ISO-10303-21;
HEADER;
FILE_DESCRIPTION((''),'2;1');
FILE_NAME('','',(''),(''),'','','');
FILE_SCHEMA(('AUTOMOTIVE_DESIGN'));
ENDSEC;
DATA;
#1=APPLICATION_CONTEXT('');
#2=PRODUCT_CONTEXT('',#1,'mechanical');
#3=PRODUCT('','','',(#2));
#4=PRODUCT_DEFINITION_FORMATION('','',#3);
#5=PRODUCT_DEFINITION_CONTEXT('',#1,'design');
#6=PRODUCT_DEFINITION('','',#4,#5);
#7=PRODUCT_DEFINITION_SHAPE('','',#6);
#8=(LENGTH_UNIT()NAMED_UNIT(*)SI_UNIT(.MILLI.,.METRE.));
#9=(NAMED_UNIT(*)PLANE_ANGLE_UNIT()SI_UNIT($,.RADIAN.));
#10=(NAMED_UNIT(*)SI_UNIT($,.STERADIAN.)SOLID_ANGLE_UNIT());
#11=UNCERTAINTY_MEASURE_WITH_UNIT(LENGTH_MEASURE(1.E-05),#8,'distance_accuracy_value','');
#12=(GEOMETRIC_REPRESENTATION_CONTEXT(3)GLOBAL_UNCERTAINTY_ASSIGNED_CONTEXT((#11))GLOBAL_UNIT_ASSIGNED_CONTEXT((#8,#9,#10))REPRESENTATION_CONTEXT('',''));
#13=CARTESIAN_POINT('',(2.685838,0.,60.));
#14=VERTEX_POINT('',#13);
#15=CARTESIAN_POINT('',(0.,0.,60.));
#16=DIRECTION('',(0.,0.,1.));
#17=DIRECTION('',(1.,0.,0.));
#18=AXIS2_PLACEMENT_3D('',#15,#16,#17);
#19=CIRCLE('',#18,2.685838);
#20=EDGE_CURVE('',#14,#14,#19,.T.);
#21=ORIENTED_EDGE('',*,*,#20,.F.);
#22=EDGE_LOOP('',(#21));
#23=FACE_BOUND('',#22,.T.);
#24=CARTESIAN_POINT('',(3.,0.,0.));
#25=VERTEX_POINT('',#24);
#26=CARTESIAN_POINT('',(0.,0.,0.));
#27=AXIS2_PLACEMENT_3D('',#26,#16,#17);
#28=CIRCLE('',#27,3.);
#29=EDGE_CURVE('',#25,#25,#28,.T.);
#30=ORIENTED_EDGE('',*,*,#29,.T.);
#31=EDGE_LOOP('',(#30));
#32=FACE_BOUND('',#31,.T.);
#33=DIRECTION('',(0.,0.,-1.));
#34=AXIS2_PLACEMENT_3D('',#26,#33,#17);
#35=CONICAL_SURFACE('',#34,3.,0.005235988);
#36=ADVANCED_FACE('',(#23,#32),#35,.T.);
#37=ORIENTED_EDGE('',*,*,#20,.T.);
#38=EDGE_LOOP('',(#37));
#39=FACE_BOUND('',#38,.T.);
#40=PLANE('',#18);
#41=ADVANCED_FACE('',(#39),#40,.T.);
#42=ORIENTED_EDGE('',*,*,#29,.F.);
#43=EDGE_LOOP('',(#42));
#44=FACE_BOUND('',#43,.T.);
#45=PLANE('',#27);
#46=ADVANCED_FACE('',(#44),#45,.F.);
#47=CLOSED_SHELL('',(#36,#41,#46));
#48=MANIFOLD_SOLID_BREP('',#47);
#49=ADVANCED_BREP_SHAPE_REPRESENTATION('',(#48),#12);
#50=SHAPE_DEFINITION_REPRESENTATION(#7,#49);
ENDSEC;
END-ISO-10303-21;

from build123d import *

# Parameters (mm, degrees)
SKETCH1_R           = 3
BOSS_EXTRUDE1_DEPTH = 60
BOSS_EXTRUDE1_TAPER = 0.3


with BuildPart() as part:
    # Sketch1 → Boss-Extrude1 (new body)
    with BuildSketch(Plane.XY):
        Circle(SKETCH1_R)
    extrude(amount=BOSS_EXTRUDE1_DEPTH, taper=BOSS_EXTRUDE1_TAPER)


solid = part.part
